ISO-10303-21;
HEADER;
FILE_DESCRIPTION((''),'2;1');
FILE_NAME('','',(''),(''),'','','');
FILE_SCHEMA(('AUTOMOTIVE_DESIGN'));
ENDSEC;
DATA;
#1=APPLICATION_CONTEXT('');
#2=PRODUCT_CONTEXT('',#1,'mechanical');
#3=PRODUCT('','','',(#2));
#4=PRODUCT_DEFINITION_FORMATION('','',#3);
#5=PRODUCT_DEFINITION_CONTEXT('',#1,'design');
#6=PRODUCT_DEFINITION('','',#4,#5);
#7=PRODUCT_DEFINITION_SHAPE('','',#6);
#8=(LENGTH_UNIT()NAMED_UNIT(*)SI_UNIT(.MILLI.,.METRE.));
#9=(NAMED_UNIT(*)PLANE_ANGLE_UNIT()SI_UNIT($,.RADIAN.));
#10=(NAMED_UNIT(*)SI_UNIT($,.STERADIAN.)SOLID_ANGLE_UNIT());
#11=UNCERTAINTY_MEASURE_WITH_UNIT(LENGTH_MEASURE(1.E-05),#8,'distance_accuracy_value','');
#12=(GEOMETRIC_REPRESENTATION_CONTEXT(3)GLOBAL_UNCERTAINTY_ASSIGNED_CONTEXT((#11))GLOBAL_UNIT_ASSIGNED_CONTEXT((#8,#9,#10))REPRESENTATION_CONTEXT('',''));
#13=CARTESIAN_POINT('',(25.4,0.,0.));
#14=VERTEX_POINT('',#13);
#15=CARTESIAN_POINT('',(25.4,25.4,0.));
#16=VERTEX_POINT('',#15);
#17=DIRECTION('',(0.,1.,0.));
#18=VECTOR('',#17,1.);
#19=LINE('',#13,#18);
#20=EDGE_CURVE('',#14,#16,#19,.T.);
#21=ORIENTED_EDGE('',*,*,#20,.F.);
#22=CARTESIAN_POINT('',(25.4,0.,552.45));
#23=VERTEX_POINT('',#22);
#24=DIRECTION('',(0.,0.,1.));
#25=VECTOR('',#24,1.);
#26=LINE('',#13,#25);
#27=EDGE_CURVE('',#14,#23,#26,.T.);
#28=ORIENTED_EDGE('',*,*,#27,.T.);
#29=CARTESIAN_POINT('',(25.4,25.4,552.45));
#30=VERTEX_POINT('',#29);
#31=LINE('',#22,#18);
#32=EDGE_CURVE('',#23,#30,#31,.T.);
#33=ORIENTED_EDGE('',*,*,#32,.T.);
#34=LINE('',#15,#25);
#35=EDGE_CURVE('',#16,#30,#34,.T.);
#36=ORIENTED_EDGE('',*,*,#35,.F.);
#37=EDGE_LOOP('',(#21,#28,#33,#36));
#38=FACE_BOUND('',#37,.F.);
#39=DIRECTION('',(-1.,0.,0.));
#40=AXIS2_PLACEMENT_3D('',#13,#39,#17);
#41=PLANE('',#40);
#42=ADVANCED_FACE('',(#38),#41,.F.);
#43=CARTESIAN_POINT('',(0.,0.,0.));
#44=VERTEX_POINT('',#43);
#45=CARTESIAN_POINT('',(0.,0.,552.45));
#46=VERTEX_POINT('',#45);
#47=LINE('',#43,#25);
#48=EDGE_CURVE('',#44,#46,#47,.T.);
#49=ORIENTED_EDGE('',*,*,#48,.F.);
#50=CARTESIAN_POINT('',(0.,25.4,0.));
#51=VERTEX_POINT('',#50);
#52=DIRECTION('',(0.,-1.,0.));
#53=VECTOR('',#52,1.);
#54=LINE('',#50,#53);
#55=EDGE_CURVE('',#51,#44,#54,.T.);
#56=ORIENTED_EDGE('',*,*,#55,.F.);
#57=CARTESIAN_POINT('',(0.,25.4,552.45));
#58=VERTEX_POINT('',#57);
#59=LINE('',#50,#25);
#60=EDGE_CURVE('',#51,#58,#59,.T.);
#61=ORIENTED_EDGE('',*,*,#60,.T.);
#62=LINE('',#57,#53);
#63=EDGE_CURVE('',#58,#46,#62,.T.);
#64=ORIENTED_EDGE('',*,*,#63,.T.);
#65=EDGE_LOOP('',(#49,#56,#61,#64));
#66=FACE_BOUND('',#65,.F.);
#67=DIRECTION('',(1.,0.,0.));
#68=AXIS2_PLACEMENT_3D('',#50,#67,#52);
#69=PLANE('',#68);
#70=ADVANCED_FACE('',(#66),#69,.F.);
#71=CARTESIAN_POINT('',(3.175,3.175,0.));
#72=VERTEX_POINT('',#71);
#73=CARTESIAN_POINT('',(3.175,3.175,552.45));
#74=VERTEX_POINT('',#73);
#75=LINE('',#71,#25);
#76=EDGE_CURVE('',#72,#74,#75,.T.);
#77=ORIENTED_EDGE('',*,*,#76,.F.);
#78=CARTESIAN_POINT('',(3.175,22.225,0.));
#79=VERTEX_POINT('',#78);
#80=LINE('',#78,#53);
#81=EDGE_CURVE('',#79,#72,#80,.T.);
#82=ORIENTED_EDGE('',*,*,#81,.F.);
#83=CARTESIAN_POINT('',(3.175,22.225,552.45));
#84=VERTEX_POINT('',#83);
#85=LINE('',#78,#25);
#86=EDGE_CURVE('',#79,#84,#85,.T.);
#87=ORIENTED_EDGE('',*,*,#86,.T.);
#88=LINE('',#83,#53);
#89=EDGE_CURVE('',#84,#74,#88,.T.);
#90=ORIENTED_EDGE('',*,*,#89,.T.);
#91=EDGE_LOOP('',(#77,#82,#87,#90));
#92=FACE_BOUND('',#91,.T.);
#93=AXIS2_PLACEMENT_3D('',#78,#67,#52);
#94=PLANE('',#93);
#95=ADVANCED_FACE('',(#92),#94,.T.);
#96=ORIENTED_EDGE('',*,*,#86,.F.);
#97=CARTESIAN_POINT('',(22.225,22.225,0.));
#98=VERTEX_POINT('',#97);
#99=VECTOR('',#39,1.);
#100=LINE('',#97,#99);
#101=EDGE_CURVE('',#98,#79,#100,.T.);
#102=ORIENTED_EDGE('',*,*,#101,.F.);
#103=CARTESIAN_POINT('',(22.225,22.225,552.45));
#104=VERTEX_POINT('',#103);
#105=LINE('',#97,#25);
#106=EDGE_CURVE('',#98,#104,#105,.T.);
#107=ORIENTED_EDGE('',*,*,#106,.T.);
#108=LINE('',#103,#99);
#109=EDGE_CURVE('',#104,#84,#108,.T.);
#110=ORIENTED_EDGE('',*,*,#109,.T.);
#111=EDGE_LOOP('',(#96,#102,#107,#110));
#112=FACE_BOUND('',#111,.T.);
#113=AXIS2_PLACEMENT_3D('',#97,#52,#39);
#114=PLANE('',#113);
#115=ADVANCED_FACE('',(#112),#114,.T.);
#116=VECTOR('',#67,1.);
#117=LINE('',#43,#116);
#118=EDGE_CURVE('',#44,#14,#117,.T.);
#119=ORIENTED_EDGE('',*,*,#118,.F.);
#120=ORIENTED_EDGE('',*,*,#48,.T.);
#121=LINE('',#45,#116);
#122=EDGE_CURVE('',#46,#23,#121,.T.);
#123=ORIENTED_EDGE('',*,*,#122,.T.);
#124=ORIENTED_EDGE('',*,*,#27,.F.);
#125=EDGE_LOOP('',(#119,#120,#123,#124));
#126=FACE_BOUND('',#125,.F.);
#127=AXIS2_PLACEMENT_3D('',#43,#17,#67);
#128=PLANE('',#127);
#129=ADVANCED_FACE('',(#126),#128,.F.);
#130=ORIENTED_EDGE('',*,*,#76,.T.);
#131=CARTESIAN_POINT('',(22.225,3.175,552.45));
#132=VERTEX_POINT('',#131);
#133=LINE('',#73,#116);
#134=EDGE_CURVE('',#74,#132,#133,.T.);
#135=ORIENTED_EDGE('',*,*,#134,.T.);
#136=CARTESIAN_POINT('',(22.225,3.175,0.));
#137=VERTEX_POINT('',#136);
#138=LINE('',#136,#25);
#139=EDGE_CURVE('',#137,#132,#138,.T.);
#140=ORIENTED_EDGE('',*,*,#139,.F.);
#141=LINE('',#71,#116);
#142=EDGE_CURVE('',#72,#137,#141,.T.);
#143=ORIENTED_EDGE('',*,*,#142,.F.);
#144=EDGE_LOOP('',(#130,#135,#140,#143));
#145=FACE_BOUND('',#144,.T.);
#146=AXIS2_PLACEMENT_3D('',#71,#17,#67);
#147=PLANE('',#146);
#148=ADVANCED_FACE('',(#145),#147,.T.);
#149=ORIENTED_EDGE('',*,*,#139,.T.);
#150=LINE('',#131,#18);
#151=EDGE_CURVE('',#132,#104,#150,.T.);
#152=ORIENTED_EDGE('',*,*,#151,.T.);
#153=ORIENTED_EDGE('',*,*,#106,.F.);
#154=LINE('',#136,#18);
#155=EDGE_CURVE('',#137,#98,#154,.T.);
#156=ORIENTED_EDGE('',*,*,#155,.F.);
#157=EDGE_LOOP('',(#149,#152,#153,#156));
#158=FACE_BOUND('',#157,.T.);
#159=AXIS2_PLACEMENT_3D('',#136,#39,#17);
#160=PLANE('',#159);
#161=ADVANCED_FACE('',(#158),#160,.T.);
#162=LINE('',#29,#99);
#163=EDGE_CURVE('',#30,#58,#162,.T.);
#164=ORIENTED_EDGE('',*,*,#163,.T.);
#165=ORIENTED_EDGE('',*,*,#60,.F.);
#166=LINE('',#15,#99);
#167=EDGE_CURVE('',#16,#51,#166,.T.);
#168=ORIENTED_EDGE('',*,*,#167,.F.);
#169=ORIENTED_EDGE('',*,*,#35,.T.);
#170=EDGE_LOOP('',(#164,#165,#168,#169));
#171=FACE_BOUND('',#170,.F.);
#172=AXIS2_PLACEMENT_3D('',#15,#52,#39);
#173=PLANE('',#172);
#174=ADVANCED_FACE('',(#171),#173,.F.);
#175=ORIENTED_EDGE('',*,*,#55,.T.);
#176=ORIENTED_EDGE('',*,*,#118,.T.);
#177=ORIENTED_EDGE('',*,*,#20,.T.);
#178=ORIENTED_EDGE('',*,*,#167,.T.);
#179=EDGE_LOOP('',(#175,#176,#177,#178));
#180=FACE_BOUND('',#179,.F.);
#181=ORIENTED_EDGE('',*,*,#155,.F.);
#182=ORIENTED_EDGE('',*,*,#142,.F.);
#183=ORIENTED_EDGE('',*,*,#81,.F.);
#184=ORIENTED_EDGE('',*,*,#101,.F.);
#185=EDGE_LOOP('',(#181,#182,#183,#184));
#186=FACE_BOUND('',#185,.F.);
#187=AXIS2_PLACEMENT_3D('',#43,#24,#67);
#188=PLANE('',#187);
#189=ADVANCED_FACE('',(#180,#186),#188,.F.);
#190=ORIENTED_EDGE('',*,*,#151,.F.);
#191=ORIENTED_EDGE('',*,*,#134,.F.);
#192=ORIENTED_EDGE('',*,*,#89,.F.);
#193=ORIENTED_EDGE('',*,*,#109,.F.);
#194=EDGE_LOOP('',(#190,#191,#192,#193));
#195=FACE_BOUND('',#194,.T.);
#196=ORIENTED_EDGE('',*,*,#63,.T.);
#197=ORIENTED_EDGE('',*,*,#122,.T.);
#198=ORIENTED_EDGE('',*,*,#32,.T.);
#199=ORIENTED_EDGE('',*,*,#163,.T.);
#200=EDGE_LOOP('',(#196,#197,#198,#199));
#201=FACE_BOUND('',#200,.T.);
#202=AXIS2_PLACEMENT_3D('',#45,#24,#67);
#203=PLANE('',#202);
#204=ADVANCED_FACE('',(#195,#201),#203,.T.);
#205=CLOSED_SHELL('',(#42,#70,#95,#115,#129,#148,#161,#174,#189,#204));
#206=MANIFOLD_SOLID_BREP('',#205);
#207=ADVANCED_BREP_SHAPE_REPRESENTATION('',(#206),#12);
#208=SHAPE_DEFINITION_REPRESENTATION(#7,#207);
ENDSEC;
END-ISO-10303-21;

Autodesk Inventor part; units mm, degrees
ref_plane "YZ Plane" through (0, 0, 0) normal (1, 0, 0) x (0, 1, 0)
ref_plane "XZ Plane" through (0, 0, 0) normal (0, 1, 0) x (-1, 0, 0)
ref_plane "XY Plane" through (0, 0, 0) normal (0, 0, 1) x (1, 0, 0)
sketch "Sketch1" plane through (0, 0, 0) normal (0, 0, 1) x (1, 0, 0)
  line L0 (0, 0) -> (25.4, 0)
  line L1 (25.4, 0) -> (25.4, 25.4)
  line L2 (25.4, 25.4) -> (0, 25.4)
  line L3 (0, 25.4) -> (0, 0)
  line L4 (3.175, 3.175) -> (22.225, 3.175)
  line L5 (22.225, 3.175) -> (22.225, 22.225)
  line L6 (22.225, 22.225) -> (3.175, 22.225)
  line L7 (3.175, 22.225) -> (3.175, 3.175)
  dimension "d0" = 25.4
  dimension "d1" = 25.4
  dimension "d2" = 3.175
  dimension "d3" = 3.175
  dimension "d4" = 3.175
  dimension "d5" = 3.175
extrude "Extrusion1" add sketch "Sketch1" along normal blind 552.45
equation "\"d2\" = d5"
equation "\"d3\" = d2"
equation "\"d5\" = d4"
properties part number "8 ball frame tube"
